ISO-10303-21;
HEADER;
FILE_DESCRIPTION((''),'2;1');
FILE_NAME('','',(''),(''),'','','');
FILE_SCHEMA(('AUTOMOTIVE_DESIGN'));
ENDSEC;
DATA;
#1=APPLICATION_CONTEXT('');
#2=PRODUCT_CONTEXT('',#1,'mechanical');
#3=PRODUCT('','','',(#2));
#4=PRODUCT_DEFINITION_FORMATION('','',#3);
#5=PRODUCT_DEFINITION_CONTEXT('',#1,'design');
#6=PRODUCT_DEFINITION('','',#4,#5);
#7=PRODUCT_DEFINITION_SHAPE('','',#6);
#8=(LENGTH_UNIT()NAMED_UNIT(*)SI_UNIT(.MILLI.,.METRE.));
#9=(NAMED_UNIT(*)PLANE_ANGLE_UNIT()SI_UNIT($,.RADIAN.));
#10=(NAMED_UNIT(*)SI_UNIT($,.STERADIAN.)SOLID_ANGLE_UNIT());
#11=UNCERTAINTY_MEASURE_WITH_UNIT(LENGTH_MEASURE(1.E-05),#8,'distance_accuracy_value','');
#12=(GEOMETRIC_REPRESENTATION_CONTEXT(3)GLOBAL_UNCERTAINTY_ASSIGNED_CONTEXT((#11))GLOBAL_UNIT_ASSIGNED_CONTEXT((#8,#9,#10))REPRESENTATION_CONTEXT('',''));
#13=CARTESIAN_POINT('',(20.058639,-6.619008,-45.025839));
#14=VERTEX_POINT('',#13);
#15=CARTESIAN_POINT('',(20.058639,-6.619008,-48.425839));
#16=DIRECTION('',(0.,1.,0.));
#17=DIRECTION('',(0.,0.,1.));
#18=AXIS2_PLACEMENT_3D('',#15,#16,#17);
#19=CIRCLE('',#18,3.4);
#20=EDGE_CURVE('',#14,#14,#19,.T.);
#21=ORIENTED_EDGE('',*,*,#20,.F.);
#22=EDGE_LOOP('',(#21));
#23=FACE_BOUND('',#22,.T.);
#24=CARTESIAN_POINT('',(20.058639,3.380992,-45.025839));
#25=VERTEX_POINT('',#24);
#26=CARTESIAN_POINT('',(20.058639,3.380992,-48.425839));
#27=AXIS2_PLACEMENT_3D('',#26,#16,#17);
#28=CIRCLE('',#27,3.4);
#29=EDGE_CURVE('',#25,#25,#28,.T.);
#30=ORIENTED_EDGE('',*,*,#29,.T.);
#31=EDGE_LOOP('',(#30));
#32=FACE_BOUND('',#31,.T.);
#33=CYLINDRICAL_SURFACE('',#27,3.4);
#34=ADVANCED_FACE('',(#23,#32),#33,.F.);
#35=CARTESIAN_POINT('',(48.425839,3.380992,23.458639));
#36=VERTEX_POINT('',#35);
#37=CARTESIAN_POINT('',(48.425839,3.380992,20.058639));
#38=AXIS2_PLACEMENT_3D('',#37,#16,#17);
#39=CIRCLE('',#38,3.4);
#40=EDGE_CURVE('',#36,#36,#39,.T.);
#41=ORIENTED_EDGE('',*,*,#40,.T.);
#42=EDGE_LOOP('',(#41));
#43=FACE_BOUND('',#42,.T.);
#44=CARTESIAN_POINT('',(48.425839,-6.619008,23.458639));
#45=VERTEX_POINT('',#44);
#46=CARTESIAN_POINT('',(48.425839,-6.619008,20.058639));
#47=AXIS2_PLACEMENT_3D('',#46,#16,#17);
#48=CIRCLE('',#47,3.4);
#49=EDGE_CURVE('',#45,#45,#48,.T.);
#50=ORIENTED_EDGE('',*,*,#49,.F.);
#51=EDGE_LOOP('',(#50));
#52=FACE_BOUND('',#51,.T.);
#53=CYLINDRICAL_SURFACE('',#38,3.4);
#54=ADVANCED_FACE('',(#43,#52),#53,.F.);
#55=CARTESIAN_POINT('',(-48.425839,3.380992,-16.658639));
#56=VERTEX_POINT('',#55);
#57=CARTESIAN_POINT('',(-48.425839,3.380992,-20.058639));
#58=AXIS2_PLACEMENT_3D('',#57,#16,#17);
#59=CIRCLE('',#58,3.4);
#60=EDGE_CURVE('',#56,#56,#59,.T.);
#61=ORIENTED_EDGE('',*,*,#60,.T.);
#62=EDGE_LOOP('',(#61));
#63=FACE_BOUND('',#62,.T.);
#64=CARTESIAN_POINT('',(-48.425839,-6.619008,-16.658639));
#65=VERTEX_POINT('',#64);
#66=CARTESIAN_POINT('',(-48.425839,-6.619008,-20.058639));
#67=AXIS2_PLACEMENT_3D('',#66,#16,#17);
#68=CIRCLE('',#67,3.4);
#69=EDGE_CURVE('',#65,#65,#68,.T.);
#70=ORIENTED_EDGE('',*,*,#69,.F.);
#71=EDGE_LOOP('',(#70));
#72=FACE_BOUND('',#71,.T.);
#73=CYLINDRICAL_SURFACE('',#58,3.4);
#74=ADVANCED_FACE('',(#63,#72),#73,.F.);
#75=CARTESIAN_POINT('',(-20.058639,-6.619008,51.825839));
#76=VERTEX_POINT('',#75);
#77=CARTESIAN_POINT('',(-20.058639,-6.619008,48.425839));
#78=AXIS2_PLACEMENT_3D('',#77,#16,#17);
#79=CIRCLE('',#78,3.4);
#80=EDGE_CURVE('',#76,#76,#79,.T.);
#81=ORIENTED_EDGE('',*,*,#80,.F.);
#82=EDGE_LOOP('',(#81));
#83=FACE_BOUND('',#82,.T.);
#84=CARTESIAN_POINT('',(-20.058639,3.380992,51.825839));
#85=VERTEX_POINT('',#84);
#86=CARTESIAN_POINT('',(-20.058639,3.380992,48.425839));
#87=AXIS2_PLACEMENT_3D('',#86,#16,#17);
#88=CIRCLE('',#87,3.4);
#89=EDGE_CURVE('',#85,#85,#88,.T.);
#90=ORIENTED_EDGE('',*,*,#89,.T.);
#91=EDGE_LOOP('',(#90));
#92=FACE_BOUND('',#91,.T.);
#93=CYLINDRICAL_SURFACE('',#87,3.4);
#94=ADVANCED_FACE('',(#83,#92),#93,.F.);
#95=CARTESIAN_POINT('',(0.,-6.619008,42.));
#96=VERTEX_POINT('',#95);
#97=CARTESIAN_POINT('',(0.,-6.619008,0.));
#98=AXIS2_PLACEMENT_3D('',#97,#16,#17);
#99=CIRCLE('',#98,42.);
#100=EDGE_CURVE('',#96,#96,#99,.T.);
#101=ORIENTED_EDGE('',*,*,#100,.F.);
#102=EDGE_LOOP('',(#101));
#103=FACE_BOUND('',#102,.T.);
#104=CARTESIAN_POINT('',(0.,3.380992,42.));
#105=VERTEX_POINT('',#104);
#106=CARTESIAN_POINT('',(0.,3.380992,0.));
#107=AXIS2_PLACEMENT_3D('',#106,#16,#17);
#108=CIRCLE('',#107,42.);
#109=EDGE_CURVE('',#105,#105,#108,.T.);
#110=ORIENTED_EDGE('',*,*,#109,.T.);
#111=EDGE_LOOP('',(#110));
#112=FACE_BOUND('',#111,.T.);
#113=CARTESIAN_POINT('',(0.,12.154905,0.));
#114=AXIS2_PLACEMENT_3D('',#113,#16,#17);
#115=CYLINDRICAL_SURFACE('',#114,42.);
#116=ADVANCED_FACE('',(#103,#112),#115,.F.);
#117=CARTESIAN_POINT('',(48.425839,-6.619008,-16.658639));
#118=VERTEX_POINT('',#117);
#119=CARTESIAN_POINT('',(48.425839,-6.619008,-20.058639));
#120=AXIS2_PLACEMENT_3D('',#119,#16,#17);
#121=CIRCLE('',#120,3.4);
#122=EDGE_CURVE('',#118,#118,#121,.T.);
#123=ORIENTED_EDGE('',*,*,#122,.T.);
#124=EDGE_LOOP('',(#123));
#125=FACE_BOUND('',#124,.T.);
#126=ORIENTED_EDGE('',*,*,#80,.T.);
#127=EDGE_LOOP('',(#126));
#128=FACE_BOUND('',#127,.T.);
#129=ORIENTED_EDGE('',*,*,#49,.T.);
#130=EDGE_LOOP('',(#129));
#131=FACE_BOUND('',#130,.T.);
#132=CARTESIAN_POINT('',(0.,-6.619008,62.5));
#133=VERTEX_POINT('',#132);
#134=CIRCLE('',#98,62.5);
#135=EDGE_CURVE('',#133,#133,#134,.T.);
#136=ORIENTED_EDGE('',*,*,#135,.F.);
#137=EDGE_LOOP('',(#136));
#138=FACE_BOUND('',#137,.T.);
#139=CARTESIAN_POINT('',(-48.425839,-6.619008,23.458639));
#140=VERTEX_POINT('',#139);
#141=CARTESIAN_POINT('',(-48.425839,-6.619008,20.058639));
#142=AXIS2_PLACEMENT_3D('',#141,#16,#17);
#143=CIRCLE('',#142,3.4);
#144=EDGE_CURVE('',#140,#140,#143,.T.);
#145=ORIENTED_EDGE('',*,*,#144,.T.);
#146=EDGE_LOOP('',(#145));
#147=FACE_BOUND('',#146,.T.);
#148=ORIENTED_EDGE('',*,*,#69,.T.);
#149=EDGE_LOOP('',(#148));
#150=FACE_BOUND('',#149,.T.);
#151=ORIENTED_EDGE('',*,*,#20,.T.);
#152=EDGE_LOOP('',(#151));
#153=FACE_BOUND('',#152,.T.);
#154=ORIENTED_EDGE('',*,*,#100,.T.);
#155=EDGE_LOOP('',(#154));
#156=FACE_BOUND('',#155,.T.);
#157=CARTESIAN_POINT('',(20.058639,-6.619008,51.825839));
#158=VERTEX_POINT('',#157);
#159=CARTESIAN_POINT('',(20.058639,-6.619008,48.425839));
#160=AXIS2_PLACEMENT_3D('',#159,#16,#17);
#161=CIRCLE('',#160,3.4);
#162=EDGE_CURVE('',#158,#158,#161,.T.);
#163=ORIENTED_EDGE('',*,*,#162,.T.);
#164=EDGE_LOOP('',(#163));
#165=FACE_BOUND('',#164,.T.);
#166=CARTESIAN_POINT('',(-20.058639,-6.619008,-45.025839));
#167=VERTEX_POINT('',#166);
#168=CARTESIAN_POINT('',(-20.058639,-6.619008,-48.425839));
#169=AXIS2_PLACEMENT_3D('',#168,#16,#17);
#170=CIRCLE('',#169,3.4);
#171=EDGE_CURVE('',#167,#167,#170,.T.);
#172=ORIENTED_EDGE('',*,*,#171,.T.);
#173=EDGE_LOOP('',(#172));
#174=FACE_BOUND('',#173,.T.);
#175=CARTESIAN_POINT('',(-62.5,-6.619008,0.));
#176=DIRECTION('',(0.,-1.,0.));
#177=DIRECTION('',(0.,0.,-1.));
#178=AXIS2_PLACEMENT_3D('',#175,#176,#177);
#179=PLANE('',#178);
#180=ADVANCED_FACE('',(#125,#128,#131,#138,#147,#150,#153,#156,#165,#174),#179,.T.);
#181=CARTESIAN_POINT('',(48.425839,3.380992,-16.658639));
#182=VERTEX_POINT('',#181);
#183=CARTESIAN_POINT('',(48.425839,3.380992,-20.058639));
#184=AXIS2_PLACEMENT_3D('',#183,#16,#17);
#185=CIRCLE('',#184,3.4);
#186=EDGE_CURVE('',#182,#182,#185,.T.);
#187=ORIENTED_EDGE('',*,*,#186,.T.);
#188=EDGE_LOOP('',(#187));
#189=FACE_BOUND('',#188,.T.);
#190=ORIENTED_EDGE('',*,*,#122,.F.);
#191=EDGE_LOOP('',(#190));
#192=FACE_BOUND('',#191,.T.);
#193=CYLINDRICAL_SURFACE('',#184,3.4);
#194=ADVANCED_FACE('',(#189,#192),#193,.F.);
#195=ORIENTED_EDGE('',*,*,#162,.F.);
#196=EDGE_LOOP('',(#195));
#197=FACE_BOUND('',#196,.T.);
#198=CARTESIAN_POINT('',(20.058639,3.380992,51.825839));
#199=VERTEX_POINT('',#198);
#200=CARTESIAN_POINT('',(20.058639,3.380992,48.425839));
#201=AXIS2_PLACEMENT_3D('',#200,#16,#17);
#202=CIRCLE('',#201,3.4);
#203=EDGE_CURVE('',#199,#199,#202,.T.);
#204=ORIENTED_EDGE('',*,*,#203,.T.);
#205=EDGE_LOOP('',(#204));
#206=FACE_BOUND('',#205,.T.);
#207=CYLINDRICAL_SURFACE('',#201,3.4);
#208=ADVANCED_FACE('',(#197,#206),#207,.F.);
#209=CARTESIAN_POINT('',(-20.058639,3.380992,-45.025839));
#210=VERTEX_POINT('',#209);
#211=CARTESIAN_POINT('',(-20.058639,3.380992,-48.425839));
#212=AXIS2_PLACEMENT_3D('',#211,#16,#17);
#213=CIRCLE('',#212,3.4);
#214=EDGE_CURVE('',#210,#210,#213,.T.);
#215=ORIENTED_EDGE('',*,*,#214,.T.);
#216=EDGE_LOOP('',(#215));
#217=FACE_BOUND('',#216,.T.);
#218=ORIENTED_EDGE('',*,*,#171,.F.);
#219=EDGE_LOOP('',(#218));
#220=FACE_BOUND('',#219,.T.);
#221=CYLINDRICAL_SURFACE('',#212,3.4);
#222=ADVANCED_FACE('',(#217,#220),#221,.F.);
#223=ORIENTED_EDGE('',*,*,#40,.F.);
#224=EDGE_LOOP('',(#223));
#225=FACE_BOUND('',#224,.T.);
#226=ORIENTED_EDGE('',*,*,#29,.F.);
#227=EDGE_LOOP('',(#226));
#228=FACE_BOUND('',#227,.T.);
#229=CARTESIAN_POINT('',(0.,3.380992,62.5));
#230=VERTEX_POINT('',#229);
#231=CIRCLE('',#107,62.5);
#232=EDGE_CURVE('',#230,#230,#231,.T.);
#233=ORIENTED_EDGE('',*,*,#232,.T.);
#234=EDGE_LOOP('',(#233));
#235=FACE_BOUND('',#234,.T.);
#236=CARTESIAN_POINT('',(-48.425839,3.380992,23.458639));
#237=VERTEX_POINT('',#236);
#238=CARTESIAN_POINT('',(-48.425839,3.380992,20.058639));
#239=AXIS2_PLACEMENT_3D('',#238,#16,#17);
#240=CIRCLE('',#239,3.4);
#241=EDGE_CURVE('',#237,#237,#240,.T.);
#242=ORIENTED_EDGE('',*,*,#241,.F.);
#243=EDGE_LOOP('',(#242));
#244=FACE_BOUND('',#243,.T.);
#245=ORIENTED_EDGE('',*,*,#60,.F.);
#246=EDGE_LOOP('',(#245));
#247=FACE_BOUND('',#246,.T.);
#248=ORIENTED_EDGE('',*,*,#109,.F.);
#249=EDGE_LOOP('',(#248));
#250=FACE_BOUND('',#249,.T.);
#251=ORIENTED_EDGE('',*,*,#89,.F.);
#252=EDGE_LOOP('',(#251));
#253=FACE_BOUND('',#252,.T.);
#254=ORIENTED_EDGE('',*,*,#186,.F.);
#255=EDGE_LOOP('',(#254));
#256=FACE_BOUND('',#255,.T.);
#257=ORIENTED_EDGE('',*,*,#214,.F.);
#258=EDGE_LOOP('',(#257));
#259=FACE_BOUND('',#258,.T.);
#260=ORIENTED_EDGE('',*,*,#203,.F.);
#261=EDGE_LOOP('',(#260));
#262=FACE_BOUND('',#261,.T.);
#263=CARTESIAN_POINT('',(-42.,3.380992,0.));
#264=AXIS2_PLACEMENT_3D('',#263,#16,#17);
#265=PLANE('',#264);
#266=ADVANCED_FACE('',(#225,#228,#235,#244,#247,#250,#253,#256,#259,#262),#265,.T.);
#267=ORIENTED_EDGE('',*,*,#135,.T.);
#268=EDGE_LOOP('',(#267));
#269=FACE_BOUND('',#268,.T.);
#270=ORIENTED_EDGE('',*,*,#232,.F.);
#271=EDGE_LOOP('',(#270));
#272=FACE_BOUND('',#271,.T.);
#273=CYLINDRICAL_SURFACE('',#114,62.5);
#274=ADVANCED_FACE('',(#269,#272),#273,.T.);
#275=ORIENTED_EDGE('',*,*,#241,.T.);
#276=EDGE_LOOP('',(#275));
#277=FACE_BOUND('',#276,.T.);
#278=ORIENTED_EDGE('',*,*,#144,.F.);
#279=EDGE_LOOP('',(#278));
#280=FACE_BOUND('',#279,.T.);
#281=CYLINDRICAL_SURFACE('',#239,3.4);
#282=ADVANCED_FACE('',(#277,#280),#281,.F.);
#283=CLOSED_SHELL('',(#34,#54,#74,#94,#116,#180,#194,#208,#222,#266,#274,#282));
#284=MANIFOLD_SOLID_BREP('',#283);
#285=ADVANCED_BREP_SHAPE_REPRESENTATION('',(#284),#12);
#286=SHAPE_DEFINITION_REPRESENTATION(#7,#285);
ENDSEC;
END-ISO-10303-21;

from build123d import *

# Parameters (mm, degrees)
SZKIC1_W               = 20.5
SZKIC1_H               = 10
OTW_R_GWINTOWANY_M81_D = 6.8


with BuildPart() as part:
    # Szkic1 → Obrót1 (revolve)
    with BuildSketch(Plane.XY, mode=Mode.PRIVATE) as obr_t1_sk:
        with Locations((-52.25, -1.619007804)):
            Rectangle(SZKIC1_W, SZKIC1_H)
    revolve(obr_t1_sk.sketch.rotate(Axis((0, 12.15490524, 0), (0, -1, 0)), 270), axis=Axis((0, 12.15490524, 0), (0, -1, 0)))

    # Otwór gwintowany M81 (through all)
    with Locations(Plane(origin=(-20.058639265, 3.380992196, -48.425838957), x_dir=(0, 0, 1), z_dir=(0, 1, 0))):
        with Locations((0, 0), (0, 40.11727853), (28.367199692, 68.484478222), (68.484478222, 68.484478222), (96.851677914, 40.11727853), (96.851677914, 0), (68.484478222, -28.367199692), (28.367199692, -28.367199692)):
            Hole(OTW_R_GWINTOWANY_M81_D / 2)


solid = part.part
